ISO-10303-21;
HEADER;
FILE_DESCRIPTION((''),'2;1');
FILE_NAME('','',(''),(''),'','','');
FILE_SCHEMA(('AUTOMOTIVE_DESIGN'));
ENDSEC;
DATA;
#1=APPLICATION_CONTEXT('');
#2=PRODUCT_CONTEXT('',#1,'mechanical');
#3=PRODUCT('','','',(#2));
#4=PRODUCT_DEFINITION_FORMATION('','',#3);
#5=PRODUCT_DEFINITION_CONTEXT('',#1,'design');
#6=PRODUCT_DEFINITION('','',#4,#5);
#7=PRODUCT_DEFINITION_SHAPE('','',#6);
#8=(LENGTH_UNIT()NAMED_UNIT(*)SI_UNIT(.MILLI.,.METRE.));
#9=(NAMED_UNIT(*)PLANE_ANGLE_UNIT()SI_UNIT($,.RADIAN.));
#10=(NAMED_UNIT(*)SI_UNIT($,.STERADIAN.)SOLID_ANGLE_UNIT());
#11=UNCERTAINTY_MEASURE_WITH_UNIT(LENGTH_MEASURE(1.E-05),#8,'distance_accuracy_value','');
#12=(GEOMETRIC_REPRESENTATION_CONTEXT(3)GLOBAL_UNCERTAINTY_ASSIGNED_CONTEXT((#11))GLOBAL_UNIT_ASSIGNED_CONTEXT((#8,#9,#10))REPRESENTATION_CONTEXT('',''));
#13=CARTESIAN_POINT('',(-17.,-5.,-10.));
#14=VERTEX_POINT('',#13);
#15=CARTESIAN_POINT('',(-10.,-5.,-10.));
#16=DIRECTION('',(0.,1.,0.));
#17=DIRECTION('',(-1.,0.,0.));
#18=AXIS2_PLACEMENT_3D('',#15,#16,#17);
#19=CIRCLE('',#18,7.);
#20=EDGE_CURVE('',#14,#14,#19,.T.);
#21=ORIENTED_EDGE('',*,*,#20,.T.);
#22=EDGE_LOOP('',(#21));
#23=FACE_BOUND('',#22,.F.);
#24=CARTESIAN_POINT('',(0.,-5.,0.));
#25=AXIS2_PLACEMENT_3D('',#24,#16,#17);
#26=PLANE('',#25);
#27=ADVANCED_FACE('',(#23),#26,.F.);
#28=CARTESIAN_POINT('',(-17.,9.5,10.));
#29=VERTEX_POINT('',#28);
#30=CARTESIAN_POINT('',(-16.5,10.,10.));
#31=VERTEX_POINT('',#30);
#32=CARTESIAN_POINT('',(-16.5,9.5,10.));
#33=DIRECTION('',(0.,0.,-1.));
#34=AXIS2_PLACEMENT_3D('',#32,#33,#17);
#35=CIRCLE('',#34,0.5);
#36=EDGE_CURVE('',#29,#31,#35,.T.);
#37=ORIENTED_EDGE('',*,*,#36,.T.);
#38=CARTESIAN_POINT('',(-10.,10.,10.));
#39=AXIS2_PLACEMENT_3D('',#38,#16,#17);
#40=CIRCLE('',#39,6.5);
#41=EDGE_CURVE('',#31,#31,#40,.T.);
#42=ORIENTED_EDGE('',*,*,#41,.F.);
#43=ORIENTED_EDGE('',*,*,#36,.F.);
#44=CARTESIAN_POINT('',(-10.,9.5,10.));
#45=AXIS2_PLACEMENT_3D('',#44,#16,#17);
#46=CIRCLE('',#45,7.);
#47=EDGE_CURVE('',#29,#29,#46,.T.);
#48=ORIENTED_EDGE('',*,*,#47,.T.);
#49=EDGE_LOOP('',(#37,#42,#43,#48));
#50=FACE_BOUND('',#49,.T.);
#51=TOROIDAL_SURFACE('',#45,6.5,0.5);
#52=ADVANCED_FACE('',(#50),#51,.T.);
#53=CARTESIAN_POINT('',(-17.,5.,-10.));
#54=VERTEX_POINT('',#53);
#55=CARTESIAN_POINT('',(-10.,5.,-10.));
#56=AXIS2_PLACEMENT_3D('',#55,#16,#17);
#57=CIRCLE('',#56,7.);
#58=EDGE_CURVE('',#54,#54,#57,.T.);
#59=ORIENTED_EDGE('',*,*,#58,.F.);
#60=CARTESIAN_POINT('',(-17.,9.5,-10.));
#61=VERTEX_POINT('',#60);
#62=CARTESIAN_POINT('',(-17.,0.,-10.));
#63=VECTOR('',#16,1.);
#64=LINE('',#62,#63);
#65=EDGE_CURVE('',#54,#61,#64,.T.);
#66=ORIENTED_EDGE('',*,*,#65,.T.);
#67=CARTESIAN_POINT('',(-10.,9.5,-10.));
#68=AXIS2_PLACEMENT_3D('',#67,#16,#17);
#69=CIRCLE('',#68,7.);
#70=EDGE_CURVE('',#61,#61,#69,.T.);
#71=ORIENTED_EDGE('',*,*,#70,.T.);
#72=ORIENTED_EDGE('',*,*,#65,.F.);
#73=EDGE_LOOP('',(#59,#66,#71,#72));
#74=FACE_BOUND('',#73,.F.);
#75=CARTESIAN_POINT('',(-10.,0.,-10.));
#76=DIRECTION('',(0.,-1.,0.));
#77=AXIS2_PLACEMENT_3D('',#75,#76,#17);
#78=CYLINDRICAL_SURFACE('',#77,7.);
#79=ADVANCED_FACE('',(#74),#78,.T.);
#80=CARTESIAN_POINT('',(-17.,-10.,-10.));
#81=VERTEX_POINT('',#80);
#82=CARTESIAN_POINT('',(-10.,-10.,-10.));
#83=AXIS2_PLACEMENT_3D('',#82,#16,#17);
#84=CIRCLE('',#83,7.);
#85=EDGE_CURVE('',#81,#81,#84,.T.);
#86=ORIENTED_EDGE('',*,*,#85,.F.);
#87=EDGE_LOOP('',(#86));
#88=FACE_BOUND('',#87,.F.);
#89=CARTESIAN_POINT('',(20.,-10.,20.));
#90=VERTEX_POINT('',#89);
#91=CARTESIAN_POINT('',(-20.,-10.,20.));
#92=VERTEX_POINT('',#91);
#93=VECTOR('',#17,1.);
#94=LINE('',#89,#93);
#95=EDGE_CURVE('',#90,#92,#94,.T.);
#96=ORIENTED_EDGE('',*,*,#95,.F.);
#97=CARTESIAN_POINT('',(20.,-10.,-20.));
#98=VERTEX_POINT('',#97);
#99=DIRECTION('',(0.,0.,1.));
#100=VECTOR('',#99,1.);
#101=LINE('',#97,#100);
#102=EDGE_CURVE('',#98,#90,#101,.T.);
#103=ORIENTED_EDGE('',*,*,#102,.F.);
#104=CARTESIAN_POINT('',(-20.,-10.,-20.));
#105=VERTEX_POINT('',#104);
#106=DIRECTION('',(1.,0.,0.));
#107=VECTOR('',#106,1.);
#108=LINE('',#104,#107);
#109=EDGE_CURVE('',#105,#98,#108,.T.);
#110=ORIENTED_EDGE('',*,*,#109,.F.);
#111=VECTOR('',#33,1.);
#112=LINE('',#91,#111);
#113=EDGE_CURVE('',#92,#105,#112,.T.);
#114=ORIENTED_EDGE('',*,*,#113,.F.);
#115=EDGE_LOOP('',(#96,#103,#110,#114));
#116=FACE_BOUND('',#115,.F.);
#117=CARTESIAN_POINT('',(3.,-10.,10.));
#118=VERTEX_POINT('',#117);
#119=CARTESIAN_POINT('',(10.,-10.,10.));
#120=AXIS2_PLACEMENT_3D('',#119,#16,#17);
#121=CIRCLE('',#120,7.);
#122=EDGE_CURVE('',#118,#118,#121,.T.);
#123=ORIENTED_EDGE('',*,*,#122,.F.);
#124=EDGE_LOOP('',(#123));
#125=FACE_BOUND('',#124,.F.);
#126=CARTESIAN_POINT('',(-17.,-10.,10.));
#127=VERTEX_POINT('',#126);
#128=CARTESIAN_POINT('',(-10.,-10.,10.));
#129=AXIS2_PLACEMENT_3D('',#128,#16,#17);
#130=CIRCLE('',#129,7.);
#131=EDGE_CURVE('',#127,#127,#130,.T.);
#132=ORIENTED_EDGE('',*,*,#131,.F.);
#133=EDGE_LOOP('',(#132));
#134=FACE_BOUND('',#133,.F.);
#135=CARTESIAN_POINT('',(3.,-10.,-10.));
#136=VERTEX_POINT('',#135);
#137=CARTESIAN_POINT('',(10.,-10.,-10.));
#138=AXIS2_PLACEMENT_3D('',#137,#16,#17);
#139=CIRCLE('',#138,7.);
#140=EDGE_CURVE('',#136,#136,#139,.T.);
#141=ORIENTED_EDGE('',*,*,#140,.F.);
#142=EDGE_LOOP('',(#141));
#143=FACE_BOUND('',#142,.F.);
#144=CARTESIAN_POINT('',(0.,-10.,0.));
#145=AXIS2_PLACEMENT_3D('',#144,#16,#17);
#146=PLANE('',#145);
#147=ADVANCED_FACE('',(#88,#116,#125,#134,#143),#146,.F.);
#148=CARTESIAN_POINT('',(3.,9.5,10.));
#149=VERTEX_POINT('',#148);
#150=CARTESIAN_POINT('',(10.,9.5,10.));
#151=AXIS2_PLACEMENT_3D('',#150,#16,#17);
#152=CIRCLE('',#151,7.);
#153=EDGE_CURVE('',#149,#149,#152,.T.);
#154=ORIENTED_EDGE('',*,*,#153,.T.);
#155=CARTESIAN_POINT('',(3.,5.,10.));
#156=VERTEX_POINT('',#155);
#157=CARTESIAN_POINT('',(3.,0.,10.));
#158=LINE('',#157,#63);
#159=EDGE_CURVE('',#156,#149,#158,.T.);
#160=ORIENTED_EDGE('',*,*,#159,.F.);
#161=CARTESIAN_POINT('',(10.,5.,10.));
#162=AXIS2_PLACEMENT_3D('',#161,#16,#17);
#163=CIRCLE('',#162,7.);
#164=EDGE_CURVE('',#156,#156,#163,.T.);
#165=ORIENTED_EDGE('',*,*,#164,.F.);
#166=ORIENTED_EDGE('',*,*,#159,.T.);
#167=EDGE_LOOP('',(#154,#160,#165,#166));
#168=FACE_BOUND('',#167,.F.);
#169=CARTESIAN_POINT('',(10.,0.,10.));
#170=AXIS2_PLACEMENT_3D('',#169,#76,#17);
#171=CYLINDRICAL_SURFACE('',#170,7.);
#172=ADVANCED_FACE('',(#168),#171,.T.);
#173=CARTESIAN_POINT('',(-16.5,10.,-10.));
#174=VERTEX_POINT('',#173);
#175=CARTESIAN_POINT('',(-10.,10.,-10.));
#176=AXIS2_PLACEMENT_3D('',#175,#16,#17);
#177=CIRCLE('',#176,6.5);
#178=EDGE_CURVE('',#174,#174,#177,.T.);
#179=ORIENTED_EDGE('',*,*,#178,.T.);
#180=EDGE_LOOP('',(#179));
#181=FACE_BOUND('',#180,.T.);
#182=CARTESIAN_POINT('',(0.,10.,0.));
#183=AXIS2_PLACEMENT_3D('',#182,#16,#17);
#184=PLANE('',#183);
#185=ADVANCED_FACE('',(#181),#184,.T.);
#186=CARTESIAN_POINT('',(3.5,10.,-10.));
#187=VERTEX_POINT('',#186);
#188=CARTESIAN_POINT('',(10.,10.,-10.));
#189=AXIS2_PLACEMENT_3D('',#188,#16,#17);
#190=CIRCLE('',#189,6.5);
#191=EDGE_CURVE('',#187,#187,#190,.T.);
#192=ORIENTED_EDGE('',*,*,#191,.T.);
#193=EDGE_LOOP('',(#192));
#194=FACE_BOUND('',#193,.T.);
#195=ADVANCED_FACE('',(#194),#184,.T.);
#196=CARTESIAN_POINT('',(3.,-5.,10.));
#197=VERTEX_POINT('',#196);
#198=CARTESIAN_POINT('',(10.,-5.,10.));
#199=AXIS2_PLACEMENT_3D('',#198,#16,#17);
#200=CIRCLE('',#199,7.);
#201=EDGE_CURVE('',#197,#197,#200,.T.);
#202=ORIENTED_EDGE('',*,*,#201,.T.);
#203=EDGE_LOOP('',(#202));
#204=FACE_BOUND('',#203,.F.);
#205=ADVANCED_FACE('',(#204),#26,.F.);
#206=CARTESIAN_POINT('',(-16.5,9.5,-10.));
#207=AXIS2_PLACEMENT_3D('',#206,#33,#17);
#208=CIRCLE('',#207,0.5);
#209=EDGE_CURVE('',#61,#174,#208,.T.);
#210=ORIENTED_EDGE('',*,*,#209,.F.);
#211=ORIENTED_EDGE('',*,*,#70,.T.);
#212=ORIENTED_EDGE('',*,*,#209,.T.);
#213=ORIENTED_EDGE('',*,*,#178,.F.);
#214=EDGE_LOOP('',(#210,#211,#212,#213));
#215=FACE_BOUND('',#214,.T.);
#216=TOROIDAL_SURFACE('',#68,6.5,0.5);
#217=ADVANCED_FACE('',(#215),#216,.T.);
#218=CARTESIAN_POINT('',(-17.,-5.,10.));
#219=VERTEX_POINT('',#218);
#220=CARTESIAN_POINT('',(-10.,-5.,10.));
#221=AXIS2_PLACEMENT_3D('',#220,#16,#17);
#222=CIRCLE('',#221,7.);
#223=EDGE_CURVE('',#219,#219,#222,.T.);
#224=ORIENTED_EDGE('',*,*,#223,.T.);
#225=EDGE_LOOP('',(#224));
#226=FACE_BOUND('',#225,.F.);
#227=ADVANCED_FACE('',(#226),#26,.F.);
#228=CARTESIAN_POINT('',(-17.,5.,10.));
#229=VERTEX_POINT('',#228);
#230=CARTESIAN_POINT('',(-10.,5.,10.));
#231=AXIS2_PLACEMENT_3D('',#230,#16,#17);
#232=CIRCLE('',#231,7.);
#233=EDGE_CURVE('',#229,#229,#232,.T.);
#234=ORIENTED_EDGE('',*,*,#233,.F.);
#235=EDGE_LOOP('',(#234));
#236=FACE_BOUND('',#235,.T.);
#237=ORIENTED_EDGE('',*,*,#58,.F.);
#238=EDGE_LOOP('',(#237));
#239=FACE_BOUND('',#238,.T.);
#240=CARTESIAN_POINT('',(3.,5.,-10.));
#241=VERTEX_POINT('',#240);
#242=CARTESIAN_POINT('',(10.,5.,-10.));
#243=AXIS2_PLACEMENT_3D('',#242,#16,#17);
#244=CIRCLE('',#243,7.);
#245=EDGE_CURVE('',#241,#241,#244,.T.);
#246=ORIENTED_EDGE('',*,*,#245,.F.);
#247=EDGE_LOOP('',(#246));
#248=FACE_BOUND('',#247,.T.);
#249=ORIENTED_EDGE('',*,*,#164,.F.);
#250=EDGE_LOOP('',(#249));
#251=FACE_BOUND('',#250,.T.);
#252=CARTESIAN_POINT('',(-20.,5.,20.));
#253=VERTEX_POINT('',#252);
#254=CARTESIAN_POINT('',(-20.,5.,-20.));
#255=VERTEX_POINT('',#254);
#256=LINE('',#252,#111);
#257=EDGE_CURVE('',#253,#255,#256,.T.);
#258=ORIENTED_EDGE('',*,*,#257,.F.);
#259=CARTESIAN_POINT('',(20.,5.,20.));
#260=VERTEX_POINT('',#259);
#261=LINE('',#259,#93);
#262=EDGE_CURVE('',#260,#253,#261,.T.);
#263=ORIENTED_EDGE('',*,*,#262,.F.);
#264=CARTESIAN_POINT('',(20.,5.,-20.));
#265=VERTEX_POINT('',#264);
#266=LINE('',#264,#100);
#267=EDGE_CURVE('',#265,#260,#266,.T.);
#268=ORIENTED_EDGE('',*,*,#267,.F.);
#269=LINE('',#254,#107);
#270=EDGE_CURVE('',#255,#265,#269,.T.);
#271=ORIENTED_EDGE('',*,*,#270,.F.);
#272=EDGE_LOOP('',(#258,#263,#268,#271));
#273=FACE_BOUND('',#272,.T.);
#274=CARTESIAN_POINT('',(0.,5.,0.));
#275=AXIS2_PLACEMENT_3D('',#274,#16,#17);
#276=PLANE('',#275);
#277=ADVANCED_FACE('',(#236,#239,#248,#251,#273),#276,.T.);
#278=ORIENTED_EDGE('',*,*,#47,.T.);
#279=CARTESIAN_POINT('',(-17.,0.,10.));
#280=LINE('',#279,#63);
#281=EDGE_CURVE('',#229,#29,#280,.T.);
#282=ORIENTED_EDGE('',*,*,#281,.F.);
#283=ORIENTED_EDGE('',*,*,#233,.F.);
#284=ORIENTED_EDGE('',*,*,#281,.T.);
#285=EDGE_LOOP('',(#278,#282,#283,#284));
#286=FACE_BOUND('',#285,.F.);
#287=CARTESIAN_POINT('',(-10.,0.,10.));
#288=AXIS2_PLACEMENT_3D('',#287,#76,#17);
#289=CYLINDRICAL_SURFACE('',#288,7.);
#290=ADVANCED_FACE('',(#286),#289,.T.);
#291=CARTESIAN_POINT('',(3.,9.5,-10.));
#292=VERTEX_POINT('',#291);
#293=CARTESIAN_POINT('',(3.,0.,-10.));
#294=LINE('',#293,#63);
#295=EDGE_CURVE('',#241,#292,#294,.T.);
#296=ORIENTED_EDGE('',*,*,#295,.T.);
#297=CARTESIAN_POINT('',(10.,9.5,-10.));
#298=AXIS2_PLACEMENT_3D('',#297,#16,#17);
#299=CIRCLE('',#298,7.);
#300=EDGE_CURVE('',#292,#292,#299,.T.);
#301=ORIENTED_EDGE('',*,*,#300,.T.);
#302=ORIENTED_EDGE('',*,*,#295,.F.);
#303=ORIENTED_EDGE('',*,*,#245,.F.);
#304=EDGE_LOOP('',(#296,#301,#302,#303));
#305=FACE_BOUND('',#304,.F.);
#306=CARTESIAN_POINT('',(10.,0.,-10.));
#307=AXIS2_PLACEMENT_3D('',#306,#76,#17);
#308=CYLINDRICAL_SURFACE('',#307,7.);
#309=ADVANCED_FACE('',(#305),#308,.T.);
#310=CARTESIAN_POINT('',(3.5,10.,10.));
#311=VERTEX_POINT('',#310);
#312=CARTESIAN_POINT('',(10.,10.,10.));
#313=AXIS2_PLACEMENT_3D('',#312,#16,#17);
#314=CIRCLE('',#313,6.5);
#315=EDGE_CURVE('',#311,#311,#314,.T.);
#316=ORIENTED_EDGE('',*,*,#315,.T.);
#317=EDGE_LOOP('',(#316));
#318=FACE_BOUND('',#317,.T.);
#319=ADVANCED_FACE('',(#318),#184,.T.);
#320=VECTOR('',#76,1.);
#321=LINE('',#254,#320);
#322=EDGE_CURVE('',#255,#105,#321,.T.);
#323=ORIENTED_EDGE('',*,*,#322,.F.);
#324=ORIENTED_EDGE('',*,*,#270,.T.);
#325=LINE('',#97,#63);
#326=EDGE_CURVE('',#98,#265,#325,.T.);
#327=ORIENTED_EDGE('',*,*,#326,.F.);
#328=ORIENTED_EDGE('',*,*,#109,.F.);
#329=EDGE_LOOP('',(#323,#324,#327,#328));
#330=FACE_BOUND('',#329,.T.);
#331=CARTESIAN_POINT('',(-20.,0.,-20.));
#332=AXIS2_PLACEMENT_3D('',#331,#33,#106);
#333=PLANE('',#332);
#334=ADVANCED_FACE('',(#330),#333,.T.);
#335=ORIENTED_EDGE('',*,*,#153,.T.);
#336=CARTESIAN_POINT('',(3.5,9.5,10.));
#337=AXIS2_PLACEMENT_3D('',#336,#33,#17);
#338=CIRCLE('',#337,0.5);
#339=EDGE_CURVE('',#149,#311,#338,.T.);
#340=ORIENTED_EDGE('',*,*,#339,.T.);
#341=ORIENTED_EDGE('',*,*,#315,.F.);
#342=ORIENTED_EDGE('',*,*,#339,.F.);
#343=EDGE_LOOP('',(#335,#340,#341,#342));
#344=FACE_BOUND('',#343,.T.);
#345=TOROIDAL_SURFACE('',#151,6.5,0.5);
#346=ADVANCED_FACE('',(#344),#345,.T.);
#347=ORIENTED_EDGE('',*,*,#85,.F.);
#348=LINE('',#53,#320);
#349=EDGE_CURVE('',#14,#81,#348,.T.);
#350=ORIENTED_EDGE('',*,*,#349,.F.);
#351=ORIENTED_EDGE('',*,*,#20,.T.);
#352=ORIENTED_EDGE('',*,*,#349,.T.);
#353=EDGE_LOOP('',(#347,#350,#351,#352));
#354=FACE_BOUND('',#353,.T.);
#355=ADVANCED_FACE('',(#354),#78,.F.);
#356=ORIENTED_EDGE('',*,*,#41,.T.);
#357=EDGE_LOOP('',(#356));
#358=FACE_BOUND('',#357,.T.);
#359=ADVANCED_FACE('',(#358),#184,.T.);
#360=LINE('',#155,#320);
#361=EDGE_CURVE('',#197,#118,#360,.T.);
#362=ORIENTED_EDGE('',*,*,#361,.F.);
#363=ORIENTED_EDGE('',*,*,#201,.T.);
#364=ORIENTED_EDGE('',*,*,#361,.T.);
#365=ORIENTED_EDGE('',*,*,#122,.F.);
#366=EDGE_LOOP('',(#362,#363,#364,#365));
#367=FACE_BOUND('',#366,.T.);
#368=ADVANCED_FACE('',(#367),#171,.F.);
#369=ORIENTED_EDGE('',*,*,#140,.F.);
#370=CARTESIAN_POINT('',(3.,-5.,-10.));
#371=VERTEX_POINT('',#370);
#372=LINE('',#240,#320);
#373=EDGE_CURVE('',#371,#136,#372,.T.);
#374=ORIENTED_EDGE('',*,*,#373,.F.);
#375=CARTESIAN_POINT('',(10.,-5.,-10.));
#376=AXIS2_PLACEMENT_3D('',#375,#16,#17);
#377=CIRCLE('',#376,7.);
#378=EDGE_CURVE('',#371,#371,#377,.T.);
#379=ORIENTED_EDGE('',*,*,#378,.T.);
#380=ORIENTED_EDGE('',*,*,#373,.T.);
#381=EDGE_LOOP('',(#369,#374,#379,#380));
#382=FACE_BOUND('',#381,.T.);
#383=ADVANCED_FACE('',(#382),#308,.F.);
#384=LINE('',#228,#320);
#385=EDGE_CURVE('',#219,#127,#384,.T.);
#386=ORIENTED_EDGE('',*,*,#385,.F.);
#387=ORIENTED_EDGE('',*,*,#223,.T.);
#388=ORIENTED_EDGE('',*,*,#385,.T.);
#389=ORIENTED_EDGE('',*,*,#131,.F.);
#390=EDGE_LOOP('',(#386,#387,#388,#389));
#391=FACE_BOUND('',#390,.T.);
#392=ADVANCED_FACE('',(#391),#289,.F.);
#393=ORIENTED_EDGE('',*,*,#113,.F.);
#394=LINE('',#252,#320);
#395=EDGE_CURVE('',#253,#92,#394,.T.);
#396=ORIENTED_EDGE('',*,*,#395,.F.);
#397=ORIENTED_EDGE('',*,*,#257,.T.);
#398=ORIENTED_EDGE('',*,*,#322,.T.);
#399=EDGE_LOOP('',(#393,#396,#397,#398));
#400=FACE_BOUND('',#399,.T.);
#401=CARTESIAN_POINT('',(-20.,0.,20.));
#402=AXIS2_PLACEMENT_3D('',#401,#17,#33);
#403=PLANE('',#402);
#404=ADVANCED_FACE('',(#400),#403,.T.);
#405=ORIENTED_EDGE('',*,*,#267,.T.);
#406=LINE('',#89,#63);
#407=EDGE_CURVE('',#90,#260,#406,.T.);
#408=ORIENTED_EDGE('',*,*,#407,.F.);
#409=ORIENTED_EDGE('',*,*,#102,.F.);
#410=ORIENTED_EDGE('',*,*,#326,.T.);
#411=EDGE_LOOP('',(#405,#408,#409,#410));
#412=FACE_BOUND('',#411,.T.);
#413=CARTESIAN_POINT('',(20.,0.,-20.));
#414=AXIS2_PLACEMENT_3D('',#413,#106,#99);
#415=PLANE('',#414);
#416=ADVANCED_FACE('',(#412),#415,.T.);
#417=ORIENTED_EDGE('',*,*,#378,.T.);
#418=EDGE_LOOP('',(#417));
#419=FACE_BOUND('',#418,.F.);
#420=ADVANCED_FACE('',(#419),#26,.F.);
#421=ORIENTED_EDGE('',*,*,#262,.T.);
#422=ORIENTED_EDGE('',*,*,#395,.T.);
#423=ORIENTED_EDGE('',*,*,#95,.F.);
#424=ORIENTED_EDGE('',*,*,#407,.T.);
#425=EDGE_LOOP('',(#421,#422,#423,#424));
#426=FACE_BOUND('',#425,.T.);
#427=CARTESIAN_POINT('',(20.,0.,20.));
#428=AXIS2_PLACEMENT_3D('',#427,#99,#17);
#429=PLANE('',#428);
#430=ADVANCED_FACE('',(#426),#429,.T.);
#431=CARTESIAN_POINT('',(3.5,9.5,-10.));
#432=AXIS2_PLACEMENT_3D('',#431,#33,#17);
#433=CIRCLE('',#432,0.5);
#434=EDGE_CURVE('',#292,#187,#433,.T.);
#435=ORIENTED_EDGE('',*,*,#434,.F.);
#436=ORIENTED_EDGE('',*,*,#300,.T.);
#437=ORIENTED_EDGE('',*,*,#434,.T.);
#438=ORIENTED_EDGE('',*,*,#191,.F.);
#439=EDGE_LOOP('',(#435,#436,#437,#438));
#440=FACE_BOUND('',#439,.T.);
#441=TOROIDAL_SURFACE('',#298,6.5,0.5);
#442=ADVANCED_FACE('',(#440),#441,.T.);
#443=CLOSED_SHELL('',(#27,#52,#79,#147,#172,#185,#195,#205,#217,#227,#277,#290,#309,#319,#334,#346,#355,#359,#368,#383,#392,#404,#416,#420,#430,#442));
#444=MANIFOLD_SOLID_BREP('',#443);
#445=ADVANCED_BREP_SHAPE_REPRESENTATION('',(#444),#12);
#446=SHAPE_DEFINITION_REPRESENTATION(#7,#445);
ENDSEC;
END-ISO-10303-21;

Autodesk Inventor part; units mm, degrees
ref_plane "YZ Plane" through (0, 0, 0) normal (1, 0, 0) x (0, 1, 0)
ref_plane "XZ Plane" through (0, 0, 0) normal (0, 1, 0) x (-1, 0, 0)
ref_plane "XY Plane" through (0, 0, 0) normal (0, 0, 1) x (1, 0, 0)
sketch "Sketch2" plane through (0, 0, 0) normal (0, 1, 0) x (-1, 0, 0)
  line L0 (-20, 20) -> (20, 20)
  line L1 (20, 20) -> (20, -20)
  line L2 (20, -20) -> (-20, -20)
  line L3 (-20, -20) -> (-20, 20)
  circle A0 centre (10, 10) radius 7
  circle A1 centre (10, -10) radius 7
  circle A2 centre (-10, -10) radius 7
  circle A3 centre (-10, 10) radius 7
  point P0 (0, 0)
extrude "Extrusion1" add sketch "Sketch2" along normal blind 5 and the other way blind 10
extrude "Extrusion2" add sketch "Sketch2" along normal blind 10 and the other way blind 5 contours A0 | A1 | A2 | A3
fillet "Fillet1" radius 0.5 4 edges at (-3, 10, 10) (-3, 10, -10) (17, 10, -10) (17, 10, 10)
properties part number "Tercer examen. Cubo LEGO. Villegas"
